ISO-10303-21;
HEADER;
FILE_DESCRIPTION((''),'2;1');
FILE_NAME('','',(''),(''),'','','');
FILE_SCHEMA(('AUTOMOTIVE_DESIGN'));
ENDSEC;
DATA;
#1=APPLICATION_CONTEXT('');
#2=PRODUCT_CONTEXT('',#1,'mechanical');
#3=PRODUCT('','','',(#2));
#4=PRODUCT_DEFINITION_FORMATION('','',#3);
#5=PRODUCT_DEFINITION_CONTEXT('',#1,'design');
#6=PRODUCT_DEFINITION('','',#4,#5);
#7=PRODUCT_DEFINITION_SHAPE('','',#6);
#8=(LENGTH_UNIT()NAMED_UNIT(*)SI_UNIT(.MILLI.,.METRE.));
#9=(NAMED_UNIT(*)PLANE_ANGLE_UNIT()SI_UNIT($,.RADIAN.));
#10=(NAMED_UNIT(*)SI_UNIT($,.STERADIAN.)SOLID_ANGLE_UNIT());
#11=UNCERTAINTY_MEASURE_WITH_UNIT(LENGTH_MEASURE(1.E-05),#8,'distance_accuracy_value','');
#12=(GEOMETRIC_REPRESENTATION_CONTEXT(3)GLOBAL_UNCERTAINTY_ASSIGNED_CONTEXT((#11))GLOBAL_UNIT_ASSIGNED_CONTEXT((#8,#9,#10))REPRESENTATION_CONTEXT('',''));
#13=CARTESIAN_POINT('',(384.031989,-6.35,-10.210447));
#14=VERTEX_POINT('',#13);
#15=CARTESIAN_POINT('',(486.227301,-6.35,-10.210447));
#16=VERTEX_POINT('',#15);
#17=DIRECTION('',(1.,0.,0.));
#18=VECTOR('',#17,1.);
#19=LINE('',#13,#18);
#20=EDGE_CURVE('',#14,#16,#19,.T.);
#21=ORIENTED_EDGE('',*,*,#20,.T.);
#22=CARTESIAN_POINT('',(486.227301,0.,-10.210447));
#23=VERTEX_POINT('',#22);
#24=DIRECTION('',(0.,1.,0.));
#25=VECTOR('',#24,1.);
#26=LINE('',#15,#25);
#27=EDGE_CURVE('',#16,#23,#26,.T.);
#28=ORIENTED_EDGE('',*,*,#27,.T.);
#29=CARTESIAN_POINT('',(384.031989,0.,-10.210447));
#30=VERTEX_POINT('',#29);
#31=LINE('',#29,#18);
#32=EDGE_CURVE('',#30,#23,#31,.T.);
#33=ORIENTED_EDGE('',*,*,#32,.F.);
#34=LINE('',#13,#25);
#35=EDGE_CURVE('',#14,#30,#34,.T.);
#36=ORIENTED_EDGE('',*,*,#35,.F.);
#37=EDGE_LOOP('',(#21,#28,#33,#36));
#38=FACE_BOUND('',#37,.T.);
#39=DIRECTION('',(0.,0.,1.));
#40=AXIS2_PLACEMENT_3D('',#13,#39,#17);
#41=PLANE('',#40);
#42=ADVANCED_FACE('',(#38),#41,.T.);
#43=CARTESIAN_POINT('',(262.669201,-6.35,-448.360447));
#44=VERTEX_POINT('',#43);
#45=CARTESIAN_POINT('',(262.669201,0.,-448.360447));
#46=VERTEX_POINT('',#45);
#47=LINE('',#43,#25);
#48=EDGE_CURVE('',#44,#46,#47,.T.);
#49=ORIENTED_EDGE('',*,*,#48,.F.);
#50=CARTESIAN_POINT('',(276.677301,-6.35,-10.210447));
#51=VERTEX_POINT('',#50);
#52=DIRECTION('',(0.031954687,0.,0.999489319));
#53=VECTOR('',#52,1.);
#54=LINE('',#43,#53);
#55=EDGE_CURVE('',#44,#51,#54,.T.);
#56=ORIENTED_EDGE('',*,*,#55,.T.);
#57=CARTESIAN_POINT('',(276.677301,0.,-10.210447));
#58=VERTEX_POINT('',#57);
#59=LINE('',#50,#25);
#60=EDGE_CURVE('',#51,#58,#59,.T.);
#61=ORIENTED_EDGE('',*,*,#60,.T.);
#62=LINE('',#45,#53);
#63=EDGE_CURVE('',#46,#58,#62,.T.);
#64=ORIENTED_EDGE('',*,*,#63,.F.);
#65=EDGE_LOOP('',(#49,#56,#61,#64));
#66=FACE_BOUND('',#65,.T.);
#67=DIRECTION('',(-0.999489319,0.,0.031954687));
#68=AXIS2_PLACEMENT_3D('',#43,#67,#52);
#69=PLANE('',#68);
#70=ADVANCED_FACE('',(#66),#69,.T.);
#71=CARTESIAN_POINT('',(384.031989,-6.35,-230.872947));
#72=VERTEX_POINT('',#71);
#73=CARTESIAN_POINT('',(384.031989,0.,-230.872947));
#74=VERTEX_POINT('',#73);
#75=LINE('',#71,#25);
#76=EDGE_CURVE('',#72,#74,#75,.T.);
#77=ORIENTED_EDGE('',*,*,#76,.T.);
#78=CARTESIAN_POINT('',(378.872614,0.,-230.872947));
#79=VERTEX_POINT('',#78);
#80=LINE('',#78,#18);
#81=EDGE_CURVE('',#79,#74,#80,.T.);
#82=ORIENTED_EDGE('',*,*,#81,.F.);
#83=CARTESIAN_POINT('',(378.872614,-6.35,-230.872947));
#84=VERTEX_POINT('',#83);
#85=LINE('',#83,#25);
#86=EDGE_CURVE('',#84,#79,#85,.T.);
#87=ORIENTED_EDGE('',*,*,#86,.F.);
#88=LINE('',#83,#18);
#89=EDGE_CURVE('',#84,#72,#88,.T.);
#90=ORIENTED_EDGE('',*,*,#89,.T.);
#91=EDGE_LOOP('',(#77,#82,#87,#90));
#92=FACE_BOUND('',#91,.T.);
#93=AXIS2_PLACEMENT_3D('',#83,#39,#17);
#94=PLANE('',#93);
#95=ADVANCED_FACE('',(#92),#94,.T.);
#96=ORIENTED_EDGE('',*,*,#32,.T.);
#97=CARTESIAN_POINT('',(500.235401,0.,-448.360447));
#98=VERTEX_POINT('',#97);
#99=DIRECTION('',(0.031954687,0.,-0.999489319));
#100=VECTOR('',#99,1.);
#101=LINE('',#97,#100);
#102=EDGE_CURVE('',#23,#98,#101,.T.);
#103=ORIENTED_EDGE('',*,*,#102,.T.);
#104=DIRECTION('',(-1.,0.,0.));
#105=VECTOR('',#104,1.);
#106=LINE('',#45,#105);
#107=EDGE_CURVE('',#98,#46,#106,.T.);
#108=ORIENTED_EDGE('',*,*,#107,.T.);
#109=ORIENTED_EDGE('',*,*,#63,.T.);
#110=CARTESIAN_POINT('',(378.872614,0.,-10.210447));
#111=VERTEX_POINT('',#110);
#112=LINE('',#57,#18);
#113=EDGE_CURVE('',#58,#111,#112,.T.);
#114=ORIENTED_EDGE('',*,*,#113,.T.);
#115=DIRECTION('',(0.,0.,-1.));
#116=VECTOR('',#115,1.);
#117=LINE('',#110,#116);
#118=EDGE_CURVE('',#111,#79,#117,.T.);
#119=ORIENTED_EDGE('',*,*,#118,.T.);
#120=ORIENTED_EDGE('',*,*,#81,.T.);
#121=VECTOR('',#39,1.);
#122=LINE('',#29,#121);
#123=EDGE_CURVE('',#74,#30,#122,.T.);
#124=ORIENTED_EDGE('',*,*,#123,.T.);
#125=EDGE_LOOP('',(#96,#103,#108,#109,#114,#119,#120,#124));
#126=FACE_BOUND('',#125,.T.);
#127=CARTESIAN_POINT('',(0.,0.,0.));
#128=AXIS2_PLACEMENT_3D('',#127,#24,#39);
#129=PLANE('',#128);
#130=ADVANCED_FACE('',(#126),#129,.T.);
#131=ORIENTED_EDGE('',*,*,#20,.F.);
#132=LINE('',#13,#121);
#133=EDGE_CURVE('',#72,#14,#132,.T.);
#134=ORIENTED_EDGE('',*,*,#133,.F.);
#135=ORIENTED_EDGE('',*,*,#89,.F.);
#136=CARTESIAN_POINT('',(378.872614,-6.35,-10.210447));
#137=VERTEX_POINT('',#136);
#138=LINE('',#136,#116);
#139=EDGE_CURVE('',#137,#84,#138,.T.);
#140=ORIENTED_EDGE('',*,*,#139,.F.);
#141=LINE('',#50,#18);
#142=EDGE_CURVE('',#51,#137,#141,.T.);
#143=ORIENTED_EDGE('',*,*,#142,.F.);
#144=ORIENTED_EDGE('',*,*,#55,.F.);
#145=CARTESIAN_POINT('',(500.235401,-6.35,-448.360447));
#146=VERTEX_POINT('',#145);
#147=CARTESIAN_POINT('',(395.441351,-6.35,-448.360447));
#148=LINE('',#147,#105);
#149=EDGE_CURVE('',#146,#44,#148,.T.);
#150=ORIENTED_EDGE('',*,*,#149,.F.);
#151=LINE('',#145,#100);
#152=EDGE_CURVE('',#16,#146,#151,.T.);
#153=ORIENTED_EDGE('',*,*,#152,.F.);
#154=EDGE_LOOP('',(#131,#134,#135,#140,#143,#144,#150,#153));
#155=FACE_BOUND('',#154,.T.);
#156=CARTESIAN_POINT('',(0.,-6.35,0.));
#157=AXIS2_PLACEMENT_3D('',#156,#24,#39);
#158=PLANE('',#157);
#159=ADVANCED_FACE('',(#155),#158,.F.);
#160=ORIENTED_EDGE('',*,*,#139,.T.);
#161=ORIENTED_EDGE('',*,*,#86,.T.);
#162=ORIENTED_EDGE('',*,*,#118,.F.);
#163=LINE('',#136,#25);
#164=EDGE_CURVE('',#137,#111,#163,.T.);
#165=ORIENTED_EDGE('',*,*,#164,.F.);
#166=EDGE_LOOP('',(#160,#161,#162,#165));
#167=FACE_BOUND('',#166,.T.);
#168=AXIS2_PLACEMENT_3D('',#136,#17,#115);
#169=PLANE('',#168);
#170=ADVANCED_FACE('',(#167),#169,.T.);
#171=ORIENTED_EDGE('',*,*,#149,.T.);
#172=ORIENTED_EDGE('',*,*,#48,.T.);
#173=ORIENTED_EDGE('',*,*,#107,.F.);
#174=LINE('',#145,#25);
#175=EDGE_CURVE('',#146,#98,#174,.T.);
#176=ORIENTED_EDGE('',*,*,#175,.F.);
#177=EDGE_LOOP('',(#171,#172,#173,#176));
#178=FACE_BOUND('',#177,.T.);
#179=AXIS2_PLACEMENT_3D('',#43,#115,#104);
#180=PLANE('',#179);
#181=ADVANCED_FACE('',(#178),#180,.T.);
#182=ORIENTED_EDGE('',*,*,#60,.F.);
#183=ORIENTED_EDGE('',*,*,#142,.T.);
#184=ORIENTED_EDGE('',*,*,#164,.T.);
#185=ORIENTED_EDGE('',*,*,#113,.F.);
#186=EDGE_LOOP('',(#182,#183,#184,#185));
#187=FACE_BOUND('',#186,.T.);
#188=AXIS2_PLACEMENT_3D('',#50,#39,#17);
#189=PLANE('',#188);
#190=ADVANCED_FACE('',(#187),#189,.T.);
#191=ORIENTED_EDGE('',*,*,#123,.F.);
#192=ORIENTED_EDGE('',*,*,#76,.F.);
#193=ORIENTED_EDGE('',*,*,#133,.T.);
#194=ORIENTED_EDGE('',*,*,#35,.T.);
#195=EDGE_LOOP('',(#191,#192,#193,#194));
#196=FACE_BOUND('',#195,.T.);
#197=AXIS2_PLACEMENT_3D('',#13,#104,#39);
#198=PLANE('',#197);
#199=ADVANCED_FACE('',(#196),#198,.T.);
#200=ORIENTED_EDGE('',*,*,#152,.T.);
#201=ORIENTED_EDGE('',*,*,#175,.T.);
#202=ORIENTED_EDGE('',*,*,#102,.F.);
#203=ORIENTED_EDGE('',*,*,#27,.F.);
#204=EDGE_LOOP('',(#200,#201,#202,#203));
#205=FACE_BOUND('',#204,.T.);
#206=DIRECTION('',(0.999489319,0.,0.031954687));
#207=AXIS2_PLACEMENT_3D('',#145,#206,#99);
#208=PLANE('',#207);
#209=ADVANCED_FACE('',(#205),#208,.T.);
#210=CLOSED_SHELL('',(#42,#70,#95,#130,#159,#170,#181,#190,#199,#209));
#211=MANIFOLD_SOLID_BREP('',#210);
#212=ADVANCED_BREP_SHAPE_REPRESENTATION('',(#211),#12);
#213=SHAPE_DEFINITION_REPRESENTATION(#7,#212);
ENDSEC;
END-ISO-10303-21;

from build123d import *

# Parameters (mm, degrees)
BOSS_EXTRUDE1_DEPTH = 6.35
SKETCH2_W           = 27.9781
SKETCH2_H           = 17.4625
BOSS_EXTRUDE2_DEPTH = 6.35


with BuildPart() as part:
    # Sketch1 → Boss-Extrude1 (new body)
    with BuildSketch(Plane(origin=(0, 0, 0), x_dir=(1, 0, 0), z_dir=(0, 1, 0))):
        Polygon((262.669201475, 448.360447089), (367.463251475, 448.360447089), (367.463251475, 430.897947089), (395.441351475, 430.897947089), (395.441351475, 448.360447089), (500.235401475, 448.360447089), (486.227301475, 10.210447089), (384.031988975, 10.210447089), (384.031988975, 230.872947089), (378.872613975, 230.872947089), (378.872613975, 10.210447089), (276.677301475, 10.210447089), align=None)
    extrude(amount=-BOSS_EXTRUDE1_DEPTH)

    # Sketch2 → Boss-Extrude2 (add)
    with BuildSketch(Plane(origin=(0, 0, 0), x_dir=(1, 0, 0), z_dir=(0, 1, 0))):
        with Locations((381.452301475, 439.629197089)):
            Rectangle(SKETCH2_W, SKETCH2_H)
    extrude(amount=-BOSS_EXTRUDE2_DEPTH)


solid = part.part
